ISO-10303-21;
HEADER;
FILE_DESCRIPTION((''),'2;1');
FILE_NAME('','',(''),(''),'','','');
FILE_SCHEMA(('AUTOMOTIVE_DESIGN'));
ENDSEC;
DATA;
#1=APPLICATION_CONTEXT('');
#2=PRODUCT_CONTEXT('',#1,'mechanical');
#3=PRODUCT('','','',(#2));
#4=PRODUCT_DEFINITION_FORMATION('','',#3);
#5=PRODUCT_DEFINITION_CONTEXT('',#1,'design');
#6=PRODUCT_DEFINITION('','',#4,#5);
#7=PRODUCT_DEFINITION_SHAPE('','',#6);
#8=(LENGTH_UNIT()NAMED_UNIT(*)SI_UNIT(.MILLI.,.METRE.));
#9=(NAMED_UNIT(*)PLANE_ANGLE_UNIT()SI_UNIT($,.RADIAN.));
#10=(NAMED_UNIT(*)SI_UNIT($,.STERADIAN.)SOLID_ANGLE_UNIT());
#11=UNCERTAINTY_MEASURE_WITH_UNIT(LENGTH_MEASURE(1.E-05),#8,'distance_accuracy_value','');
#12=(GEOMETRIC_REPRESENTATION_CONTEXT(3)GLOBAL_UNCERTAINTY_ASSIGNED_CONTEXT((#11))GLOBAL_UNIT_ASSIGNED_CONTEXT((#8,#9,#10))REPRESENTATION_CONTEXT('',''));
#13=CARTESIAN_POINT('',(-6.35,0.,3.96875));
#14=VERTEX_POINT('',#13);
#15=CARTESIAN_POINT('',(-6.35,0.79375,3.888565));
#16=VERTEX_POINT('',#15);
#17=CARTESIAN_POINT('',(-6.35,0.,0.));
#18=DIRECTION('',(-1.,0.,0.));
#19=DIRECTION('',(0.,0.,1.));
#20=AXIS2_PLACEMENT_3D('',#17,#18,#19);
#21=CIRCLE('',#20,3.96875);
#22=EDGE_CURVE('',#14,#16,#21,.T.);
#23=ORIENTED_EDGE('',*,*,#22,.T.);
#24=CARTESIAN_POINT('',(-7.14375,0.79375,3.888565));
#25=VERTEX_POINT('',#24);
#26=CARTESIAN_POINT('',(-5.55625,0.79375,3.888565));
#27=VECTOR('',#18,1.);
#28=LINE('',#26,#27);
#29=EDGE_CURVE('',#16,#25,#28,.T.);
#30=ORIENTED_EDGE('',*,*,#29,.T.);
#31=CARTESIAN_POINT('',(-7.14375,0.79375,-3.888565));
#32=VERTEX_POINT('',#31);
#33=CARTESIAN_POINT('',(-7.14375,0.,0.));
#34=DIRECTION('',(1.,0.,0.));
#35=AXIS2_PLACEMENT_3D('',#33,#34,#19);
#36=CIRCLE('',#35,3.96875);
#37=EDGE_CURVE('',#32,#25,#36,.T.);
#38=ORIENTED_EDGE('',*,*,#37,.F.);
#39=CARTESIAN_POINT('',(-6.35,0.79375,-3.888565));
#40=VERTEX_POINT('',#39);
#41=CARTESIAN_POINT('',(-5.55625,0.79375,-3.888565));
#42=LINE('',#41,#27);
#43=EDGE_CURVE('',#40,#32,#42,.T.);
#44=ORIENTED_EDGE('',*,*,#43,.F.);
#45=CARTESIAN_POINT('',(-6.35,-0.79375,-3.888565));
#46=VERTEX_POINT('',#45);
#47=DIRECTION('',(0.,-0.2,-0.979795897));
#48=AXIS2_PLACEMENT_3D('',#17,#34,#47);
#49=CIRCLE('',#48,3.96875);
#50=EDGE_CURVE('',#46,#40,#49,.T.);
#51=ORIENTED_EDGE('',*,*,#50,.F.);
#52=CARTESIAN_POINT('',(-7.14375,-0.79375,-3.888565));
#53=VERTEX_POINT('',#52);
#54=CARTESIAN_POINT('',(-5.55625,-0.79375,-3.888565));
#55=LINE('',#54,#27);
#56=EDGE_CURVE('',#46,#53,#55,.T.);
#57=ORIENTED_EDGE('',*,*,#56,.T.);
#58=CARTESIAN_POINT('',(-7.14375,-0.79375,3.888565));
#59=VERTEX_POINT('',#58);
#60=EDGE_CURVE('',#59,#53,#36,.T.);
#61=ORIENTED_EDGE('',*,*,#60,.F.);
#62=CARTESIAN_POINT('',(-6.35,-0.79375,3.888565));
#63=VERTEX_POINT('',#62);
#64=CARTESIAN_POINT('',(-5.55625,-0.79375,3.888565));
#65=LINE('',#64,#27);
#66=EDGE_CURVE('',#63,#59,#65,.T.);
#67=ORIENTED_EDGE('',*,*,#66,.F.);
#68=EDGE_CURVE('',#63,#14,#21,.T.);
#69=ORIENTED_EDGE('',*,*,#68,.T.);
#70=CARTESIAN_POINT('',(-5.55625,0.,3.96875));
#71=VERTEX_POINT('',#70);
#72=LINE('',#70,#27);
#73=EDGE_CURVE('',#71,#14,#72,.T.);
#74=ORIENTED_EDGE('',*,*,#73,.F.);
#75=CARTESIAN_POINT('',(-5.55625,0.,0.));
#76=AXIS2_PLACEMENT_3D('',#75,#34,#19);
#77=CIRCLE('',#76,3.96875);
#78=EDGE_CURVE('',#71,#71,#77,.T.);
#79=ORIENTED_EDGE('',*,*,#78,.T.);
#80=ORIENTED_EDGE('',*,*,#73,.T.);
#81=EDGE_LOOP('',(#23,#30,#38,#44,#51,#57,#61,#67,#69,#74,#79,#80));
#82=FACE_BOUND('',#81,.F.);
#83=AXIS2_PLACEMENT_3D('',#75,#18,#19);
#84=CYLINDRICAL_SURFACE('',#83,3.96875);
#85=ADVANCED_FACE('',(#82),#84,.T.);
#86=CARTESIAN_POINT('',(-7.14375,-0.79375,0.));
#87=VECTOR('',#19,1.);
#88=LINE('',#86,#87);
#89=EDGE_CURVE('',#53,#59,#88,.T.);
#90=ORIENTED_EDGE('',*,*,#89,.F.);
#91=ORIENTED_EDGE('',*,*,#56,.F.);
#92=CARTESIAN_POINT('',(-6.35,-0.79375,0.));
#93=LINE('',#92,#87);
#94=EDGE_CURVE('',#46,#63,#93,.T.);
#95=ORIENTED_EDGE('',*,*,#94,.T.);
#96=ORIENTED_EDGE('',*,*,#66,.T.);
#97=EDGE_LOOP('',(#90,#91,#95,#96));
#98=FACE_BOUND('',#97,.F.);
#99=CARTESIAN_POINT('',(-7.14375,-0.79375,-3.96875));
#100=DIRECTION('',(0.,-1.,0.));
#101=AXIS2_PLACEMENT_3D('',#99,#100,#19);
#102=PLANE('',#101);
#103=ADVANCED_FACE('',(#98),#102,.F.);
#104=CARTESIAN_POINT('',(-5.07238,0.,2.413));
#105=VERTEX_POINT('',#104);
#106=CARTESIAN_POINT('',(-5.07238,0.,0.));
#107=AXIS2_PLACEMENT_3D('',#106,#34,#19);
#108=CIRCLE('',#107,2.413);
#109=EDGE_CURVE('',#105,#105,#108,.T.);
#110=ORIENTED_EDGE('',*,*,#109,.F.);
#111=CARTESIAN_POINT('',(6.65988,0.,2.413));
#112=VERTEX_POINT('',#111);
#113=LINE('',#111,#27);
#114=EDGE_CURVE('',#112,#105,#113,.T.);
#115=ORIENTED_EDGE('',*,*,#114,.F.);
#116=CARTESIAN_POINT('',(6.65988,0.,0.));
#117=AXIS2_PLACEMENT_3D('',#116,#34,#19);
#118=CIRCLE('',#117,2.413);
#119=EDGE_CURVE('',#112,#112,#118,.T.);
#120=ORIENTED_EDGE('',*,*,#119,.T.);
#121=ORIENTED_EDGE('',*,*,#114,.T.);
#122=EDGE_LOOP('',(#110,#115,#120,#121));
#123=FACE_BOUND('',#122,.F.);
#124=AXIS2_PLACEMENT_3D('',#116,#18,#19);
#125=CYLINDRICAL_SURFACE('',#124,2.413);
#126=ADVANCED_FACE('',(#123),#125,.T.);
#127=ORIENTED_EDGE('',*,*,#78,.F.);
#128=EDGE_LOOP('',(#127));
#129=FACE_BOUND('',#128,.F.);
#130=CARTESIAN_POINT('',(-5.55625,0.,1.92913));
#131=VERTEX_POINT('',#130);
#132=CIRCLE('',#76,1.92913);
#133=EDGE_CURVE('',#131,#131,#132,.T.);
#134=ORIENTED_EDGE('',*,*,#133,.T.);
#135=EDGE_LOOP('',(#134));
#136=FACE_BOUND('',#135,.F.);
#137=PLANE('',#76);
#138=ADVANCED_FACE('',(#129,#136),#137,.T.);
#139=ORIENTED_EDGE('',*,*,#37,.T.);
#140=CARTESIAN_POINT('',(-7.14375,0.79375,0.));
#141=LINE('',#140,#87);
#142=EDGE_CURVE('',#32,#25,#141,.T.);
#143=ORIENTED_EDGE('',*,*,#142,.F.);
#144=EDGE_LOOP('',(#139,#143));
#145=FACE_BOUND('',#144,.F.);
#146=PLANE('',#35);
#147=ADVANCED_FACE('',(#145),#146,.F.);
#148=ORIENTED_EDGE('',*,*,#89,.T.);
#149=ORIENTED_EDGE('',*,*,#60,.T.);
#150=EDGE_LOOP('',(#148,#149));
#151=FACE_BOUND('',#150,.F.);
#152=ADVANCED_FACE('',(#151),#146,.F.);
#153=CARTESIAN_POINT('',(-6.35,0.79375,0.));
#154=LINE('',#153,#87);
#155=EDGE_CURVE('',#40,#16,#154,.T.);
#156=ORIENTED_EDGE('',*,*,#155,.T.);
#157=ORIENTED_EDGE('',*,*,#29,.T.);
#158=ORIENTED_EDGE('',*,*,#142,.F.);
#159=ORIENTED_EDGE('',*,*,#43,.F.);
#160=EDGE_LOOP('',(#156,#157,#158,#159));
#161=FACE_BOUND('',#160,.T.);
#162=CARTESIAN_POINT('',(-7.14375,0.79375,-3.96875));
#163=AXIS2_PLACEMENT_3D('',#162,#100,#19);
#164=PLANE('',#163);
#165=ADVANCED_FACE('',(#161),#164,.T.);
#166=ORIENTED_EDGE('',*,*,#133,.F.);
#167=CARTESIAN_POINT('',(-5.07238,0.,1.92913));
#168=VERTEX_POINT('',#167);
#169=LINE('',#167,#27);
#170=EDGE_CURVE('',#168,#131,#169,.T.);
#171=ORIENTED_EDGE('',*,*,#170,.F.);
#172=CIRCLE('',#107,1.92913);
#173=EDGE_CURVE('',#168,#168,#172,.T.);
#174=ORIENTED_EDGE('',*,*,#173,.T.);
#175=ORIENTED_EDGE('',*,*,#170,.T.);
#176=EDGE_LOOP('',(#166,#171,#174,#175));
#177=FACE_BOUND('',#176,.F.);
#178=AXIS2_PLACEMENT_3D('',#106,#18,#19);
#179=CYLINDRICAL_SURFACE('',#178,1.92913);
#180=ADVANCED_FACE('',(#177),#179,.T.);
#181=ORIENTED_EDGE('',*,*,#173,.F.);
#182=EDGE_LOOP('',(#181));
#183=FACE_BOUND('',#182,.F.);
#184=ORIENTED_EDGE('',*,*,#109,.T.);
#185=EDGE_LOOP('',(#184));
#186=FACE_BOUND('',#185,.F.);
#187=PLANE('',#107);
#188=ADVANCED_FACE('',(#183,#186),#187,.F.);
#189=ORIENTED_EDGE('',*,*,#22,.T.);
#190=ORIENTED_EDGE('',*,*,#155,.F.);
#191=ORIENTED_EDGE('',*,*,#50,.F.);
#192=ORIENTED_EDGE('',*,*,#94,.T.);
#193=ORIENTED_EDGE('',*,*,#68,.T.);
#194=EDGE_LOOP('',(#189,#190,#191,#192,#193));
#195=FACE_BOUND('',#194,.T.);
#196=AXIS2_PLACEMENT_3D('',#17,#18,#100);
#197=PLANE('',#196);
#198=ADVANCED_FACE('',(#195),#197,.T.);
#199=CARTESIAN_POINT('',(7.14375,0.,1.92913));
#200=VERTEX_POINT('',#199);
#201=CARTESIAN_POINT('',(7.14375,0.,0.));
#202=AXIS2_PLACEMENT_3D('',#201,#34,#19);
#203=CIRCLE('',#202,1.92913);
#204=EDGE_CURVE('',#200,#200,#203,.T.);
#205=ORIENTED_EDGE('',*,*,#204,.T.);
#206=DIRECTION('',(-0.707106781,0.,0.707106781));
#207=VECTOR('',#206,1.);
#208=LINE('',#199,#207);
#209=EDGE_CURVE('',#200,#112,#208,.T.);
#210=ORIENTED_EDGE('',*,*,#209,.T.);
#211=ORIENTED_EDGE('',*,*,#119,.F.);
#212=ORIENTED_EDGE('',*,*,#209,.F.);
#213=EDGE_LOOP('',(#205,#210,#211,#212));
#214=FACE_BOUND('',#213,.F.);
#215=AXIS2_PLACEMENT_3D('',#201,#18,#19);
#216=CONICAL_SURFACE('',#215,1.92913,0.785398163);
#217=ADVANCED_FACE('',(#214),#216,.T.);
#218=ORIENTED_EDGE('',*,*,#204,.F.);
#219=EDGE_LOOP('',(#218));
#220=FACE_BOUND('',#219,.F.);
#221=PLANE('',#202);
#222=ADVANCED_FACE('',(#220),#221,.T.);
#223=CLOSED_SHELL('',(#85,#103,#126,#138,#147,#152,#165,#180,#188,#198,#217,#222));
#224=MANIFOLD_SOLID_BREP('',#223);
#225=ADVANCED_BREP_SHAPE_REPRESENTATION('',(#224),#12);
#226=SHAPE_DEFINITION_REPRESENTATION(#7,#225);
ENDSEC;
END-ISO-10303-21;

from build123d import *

# Parameters (mm, degrees)
F2_W     = 1.5875
F2_H     = 7.9375
F3_DEPTH = 0.79375


with BuildPart() as f0:
    # F1 (on Front) → F0 (revolve)
    with BuildSketch(Plane.XZ):
        Polygon((-7.14375, 3.96875), (-7.14375, 0), (7.14375, 0), (7.14375, 1.92913), (6.65988, 2.413), (-5.07238, 2.413), (-5.07238, 1.92913), (-5.55625, 1.92913), (-5.55625, 3.96875), align=None)
    revolve(axis=Axis((0, 0, 0), (1, 0, 0)))

    # F2 (on face) → F3 (cut)
    with BuildSketch(Plane(origin=(-7.14375, 0, 0), x_dir=(0, -1, 0), z_dir=(-1, 0, 0))):
        Rectangle(F2_W, F2_H)
    extrude(amount=-F3_DEPTH, mode=Mode.SUBTRACT)


solid = f0.part
